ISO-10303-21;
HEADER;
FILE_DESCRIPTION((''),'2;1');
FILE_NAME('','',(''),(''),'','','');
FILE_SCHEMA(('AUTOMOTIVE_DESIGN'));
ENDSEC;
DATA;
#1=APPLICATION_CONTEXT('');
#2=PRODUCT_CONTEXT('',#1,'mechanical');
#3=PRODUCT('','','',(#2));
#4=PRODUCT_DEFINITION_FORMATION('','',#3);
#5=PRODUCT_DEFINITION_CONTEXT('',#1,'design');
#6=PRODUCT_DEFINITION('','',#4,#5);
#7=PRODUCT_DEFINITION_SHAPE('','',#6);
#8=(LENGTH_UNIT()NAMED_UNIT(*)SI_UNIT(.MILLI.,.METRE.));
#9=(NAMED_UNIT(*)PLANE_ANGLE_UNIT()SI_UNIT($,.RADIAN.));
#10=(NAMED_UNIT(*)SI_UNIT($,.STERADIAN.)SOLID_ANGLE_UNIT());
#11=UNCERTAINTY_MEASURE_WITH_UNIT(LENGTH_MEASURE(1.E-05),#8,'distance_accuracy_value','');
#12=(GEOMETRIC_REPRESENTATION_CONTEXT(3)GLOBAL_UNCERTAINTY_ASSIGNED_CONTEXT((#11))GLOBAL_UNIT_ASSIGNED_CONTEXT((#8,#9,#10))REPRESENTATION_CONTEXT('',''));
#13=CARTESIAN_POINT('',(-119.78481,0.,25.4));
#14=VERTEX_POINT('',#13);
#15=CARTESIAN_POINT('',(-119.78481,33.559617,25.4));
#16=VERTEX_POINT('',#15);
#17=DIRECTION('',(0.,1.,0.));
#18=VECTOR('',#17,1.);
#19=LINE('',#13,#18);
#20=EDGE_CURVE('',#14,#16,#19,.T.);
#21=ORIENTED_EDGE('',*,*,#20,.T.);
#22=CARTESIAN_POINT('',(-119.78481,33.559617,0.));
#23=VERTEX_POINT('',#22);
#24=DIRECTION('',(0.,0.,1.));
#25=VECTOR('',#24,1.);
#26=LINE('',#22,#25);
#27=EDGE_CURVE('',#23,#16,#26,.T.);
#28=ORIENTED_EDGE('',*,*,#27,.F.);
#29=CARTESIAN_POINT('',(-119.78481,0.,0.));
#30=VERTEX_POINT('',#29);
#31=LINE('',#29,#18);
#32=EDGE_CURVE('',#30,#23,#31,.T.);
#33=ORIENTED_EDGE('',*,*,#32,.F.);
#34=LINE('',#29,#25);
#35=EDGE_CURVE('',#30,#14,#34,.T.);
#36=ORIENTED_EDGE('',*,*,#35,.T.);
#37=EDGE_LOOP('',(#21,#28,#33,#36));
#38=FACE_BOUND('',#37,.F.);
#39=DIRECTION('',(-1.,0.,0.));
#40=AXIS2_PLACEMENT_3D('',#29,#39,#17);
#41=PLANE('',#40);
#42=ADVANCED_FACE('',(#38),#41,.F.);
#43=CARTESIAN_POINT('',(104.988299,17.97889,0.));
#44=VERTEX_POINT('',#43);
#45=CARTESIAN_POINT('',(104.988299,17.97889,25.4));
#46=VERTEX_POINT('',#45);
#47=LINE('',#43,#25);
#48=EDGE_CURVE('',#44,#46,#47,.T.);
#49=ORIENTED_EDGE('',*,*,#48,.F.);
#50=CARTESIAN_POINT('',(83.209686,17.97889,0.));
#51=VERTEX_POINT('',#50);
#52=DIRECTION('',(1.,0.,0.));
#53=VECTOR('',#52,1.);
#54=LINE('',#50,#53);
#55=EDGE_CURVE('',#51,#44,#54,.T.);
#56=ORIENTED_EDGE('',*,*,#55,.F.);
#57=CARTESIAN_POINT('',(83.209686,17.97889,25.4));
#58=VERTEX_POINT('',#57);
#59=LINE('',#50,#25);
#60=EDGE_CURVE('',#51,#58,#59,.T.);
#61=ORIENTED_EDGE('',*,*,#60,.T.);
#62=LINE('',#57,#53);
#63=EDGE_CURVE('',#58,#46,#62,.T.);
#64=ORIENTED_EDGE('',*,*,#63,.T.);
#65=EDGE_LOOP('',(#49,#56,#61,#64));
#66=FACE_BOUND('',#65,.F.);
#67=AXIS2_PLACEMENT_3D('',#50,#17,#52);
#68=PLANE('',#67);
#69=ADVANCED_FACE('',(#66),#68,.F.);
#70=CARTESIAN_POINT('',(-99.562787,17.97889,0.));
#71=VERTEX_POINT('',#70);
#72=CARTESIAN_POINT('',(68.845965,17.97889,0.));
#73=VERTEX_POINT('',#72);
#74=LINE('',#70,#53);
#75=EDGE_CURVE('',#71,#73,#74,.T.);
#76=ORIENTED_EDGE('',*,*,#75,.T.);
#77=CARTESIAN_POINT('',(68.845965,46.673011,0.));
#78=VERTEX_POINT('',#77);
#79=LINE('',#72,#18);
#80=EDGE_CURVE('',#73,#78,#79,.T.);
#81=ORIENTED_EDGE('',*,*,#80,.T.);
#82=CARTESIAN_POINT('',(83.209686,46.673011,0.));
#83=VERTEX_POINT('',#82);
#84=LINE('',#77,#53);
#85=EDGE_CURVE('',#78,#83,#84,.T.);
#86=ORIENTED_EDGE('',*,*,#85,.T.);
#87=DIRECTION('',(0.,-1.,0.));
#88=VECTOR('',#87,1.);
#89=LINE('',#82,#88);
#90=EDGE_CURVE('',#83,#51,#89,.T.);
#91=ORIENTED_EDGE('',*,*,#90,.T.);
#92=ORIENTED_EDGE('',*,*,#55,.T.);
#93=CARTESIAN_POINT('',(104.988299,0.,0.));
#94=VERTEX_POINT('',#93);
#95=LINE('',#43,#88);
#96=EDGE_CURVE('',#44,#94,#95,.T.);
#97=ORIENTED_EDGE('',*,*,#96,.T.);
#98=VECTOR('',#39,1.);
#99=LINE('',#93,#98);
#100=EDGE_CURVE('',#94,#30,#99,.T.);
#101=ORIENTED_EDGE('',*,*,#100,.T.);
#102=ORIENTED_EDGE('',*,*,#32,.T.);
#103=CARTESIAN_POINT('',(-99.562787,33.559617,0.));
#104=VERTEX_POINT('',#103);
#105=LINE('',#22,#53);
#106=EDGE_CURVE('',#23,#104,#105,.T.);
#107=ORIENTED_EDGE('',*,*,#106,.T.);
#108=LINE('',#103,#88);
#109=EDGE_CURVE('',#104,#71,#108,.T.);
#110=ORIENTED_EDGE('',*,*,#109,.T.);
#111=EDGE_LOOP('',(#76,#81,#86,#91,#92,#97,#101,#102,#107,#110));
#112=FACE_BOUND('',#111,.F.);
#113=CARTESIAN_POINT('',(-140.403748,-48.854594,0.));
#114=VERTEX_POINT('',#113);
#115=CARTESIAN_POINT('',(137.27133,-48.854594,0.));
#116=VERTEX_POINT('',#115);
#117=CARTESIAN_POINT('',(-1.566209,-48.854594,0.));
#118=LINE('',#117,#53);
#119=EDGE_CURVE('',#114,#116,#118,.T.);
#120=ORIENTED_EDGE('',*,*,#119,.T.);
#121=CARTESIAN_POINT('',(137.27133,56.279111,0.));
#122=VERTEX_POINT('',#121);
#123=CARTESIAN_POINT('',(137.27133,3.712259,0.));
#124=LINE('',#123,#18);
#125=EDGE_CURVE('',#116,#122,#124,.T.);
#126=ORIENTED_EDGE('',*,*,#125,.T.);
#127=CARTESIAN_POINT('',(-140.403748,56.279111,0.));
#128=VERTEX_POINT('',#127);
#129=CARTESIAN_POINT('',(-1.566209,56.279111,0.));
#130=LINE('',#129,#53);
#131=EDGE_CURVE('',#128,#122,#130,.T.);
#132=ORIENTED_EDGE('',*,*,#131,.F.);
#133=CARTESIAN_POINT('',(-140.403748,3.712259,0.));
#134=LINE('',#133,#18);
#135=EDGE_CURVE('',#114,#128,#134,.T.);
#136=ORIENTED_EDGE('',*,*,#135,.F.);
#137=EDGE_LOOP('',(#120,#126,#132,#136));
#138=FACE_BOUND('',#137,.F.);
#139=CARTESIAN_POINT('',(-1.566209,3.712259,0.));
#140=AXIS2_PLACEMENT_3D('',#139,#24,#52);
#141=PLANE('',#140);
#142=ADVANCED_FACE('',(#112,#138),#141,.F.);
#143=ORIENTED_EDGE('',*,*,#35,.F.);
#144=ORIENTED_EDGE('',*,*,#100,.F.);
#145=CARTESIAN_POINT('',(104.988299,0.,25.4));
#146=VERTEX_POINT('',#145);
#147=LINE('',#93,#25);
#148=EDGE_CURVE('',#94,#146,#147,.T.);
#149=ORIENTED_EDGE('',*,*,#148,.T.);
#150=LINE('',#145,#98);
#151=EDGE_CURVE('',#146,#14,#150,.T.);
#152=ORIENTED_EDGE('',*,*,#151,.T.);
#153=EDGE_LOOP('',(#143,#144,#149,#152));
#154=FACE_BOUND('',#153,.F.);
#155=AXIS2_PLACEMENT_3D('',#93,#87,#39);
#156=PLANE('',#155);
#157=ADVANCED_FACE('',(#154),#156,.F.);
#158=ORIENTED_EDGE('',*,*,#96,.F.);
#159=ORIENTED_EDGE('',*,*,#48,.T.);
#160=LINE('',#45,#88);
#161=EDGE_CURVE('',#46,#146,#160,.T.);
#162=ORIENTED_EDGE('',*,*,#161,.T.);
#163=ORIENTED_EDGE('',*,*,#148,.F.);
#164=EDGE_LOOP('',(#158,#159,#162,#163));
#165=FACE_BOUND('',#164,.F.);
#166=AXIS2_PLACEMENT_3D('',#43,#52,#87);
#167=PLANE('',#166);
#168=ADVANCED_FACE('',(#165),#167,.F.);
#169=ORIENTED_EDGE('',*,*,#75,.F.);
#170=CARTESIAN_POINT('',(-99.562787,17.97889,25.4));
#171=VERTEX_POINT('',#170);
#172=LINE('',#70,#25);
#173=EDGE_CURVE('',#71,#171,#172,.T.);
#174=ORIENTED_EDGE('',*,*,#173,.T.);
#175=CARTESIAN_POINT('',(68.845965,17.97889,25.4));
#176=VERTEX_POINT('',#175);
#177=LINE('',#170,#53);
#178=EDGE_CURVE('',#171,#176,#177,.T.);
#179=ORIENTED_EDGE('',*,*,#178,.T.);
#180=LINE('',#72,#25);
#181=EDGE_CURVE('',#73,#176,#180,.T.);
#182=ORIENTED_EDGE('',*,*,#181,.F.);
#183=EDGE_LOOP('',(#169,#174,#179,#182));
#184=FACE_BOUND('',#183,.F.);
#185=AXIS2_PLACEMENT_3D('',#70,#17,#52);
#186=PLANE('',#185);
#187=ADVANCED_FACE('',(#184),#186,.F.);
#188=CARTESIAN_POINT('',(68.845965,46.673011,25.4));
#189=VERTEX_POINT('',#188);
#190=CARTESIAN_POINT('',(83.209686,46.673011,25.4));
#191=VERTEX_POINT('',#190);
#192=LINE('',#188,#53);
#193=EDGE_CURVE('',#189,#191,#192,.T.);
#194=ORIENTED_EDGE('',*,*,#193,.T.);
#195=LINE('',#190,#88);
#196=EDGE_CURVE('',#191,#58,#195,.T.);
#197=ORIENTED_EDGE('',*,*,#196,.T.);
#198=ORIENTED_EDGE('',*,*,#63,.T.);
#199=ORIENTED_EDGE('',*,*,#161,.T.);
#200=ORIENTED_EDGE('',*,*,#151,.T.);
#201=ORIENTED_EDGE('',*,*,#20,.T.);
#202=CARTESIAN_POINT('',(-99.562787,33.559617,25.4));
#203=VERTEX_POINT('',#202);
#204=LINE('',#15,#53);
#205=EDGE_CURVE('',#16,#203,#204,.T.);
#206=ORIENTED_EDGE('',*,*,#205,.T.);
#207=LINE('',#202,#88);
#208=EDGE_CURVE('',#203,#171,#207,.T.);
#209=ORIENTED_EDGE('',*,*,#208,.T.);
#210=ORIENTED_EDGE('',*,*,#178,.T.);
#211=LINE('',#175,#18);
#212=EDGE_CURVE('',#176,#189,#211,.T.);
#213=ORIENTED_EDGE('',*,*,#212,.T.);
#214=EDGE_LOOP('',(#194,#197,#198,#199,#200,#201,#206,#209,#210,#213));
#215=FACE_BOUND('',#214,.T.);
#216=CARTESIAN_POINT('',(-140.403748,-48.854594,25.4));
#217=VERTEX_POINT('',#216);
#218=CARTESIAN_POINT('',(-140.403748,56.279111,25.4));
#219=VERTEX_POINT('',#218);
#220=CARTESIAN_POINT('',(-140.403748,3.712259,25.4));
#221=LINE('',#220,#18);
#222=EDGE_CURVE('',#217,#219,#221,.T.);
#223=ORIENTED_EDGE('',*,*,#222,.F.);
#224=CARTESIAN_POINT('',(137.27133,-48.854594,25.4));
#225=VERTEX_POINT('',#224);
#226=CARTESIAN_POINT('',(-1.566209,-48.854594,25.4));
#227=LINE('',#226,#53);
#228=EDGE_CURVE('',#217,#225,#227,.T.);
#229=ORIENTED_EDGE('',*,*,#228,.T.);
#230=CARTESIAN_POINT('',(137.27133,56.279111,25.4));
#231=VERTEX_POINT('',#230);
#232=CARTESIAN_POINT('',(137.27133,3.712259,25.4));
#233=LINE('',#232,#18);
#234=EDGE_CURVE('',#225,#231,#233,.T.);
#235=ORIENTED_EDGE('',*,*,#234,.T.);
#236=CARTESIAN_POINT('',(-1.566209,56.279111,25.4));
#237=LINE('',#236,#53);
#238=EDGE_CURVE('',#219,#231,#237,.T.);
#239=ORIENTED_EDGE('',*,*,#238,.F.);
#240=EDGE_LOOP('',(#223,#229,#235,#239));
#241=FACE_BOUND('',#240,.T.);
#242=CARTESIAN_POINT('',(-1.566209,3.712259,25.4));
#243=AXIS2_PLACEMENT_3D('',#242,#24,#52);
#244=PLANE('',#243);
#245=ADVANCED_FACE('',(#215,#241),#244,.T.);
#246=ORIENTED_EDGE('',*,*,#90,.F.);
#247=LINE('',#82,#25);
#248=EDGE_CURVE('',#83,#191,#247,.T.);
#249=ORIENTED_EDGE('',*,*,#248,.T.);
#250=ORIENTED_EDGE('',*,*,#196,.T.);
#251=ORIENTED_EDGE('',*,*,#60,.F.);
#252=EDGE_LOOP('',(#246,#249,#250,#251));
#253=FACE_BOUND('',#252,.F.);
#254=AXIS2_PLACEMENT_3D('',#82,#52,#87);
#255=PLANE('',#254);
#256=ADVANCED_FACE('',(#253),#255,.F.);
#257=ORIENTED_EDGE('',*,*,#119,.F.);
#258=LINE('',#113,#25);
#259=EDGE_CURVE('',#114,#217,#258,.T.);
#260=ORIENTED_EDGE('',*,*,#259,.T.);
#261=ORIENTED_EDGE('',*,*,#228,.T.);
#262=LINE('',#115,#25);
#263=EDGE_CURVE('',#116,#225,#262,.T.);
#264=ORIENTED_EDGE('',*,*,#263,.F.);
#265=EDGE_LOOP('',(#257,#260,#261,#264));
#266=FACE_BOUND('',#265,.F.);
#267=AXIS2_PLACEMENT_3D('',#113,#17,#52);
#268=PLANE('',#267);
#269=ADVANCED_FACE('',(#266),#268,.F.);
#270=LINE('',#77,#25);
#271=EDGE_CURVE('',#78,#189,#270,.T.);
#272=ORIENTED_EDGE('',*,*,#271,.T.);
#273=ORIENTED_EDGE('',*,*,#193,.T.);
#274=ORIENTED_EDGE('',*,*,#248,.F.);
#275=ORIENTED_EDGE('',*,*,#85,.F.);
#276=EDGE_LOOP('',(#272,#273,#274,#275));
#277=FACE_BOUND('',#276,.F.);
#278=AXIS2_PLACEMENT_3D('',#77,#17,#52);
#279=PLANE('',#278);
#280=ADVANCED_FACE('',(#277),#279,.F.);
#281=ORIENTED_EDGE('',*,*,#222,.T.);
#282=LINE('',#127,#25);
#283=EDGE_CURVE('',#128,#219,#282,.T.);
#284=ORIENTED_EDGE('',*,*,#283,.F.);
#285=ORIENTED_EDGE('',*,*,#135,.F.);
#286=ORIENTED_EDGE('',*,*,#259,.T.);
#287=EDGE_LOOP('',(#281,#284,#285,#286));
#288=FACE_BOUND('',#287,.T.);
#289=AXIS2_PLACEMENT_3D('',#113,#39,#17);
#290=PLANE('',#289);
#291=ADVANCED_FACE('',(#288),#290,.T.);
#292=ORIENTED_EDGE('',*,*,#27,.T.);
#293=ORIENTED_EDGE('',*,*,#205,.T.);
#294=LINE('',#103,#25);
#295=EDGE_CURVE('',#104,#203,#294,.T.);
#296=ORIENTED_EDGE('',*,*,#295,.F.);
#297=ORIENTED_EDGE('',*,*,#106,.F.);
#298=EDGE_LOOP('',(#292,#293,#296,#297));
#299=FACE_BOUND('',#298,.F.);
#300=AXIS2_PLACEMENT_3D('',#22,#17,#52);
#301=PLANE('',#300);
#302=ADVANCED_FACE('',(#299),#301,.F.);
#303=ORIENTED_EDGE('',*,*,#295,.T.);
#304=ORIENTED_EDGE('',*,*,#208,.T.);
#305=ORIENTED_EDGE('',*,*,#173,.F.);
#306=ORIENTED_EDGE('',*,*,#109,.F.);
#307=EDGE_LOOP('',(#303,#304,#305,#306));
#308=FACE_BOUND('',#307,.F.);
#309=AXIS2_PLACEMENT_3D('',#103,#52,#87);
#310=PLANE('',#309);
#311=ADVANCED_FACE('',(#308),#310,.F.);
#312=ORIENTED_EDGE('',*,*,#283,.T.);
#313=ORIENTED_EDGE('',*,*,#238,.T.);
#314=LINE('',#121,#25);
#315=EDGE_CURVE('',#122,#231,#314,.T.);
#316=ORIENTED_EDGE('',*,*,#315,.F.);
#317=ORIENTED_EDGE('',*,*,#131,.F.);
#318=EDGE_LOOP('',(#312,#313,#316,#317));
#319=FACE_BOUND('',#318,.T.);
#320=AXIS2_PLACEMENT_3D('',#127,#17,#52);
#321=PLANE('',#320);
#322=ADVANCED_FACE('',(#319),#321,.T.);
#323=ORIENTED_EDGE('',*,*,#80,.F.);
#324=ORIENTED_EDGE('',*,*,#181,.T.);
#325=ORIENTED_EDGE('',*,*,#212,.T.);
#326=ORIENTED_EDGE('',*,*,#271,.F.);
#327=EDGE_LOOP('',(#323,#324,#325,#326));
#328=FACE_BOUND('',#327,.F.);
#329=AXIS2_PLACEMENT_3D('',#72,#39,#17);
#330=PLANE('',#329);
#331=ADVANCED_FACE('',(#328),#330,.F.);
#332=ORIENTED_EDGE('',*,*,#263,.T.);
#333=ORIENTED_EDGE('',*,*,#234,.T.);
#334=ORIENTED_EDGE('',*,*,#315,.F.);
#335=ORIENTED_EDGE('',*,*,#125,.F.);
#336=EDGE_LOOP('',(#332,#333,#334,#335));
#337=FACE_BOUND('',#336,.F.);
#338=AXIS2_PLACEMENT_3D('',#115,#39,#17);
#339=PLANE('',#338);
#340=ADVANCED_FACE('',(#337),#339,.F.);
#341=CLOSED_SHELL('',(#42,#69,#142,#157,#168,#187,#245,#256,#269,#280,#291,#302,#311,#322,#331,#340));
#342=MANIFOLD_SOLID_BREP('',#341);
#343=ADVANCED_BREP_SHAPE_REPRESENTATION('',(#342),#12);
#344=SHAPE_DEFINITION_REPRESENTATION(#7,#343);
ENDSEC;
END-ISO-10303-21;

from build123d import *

# Parameters (mm, degrees)
F0_W     = 277.675078
F0_H     = 105.133705
F1_DEPTH = 25.4


with BuildPart() as f1:
    # F0 (on Top) → F1 (new body)
    with BuildSketch(Plane.XY):
        with Locations((-1.566209, 3.712259)):
            Rectangle(F0_W, F0_H)
        Polygon((104.988299, 0), (-99.562787, 0), (-110.789269, 0), (-119.78481, 0), (-119.78481, 33.559617), (-99.562787, 33.559617), (-99.562787, 17.97889), (68.845965, 17.97889), (68.845965, 46.673011), (83.209686, 46.673011), (83.209686, 17.97889), (104.988299, 17.97889), align=None, mode=Mode.SUBTRACT)
    extrude(amount=F1_DEPTH)


solid = f1.part
